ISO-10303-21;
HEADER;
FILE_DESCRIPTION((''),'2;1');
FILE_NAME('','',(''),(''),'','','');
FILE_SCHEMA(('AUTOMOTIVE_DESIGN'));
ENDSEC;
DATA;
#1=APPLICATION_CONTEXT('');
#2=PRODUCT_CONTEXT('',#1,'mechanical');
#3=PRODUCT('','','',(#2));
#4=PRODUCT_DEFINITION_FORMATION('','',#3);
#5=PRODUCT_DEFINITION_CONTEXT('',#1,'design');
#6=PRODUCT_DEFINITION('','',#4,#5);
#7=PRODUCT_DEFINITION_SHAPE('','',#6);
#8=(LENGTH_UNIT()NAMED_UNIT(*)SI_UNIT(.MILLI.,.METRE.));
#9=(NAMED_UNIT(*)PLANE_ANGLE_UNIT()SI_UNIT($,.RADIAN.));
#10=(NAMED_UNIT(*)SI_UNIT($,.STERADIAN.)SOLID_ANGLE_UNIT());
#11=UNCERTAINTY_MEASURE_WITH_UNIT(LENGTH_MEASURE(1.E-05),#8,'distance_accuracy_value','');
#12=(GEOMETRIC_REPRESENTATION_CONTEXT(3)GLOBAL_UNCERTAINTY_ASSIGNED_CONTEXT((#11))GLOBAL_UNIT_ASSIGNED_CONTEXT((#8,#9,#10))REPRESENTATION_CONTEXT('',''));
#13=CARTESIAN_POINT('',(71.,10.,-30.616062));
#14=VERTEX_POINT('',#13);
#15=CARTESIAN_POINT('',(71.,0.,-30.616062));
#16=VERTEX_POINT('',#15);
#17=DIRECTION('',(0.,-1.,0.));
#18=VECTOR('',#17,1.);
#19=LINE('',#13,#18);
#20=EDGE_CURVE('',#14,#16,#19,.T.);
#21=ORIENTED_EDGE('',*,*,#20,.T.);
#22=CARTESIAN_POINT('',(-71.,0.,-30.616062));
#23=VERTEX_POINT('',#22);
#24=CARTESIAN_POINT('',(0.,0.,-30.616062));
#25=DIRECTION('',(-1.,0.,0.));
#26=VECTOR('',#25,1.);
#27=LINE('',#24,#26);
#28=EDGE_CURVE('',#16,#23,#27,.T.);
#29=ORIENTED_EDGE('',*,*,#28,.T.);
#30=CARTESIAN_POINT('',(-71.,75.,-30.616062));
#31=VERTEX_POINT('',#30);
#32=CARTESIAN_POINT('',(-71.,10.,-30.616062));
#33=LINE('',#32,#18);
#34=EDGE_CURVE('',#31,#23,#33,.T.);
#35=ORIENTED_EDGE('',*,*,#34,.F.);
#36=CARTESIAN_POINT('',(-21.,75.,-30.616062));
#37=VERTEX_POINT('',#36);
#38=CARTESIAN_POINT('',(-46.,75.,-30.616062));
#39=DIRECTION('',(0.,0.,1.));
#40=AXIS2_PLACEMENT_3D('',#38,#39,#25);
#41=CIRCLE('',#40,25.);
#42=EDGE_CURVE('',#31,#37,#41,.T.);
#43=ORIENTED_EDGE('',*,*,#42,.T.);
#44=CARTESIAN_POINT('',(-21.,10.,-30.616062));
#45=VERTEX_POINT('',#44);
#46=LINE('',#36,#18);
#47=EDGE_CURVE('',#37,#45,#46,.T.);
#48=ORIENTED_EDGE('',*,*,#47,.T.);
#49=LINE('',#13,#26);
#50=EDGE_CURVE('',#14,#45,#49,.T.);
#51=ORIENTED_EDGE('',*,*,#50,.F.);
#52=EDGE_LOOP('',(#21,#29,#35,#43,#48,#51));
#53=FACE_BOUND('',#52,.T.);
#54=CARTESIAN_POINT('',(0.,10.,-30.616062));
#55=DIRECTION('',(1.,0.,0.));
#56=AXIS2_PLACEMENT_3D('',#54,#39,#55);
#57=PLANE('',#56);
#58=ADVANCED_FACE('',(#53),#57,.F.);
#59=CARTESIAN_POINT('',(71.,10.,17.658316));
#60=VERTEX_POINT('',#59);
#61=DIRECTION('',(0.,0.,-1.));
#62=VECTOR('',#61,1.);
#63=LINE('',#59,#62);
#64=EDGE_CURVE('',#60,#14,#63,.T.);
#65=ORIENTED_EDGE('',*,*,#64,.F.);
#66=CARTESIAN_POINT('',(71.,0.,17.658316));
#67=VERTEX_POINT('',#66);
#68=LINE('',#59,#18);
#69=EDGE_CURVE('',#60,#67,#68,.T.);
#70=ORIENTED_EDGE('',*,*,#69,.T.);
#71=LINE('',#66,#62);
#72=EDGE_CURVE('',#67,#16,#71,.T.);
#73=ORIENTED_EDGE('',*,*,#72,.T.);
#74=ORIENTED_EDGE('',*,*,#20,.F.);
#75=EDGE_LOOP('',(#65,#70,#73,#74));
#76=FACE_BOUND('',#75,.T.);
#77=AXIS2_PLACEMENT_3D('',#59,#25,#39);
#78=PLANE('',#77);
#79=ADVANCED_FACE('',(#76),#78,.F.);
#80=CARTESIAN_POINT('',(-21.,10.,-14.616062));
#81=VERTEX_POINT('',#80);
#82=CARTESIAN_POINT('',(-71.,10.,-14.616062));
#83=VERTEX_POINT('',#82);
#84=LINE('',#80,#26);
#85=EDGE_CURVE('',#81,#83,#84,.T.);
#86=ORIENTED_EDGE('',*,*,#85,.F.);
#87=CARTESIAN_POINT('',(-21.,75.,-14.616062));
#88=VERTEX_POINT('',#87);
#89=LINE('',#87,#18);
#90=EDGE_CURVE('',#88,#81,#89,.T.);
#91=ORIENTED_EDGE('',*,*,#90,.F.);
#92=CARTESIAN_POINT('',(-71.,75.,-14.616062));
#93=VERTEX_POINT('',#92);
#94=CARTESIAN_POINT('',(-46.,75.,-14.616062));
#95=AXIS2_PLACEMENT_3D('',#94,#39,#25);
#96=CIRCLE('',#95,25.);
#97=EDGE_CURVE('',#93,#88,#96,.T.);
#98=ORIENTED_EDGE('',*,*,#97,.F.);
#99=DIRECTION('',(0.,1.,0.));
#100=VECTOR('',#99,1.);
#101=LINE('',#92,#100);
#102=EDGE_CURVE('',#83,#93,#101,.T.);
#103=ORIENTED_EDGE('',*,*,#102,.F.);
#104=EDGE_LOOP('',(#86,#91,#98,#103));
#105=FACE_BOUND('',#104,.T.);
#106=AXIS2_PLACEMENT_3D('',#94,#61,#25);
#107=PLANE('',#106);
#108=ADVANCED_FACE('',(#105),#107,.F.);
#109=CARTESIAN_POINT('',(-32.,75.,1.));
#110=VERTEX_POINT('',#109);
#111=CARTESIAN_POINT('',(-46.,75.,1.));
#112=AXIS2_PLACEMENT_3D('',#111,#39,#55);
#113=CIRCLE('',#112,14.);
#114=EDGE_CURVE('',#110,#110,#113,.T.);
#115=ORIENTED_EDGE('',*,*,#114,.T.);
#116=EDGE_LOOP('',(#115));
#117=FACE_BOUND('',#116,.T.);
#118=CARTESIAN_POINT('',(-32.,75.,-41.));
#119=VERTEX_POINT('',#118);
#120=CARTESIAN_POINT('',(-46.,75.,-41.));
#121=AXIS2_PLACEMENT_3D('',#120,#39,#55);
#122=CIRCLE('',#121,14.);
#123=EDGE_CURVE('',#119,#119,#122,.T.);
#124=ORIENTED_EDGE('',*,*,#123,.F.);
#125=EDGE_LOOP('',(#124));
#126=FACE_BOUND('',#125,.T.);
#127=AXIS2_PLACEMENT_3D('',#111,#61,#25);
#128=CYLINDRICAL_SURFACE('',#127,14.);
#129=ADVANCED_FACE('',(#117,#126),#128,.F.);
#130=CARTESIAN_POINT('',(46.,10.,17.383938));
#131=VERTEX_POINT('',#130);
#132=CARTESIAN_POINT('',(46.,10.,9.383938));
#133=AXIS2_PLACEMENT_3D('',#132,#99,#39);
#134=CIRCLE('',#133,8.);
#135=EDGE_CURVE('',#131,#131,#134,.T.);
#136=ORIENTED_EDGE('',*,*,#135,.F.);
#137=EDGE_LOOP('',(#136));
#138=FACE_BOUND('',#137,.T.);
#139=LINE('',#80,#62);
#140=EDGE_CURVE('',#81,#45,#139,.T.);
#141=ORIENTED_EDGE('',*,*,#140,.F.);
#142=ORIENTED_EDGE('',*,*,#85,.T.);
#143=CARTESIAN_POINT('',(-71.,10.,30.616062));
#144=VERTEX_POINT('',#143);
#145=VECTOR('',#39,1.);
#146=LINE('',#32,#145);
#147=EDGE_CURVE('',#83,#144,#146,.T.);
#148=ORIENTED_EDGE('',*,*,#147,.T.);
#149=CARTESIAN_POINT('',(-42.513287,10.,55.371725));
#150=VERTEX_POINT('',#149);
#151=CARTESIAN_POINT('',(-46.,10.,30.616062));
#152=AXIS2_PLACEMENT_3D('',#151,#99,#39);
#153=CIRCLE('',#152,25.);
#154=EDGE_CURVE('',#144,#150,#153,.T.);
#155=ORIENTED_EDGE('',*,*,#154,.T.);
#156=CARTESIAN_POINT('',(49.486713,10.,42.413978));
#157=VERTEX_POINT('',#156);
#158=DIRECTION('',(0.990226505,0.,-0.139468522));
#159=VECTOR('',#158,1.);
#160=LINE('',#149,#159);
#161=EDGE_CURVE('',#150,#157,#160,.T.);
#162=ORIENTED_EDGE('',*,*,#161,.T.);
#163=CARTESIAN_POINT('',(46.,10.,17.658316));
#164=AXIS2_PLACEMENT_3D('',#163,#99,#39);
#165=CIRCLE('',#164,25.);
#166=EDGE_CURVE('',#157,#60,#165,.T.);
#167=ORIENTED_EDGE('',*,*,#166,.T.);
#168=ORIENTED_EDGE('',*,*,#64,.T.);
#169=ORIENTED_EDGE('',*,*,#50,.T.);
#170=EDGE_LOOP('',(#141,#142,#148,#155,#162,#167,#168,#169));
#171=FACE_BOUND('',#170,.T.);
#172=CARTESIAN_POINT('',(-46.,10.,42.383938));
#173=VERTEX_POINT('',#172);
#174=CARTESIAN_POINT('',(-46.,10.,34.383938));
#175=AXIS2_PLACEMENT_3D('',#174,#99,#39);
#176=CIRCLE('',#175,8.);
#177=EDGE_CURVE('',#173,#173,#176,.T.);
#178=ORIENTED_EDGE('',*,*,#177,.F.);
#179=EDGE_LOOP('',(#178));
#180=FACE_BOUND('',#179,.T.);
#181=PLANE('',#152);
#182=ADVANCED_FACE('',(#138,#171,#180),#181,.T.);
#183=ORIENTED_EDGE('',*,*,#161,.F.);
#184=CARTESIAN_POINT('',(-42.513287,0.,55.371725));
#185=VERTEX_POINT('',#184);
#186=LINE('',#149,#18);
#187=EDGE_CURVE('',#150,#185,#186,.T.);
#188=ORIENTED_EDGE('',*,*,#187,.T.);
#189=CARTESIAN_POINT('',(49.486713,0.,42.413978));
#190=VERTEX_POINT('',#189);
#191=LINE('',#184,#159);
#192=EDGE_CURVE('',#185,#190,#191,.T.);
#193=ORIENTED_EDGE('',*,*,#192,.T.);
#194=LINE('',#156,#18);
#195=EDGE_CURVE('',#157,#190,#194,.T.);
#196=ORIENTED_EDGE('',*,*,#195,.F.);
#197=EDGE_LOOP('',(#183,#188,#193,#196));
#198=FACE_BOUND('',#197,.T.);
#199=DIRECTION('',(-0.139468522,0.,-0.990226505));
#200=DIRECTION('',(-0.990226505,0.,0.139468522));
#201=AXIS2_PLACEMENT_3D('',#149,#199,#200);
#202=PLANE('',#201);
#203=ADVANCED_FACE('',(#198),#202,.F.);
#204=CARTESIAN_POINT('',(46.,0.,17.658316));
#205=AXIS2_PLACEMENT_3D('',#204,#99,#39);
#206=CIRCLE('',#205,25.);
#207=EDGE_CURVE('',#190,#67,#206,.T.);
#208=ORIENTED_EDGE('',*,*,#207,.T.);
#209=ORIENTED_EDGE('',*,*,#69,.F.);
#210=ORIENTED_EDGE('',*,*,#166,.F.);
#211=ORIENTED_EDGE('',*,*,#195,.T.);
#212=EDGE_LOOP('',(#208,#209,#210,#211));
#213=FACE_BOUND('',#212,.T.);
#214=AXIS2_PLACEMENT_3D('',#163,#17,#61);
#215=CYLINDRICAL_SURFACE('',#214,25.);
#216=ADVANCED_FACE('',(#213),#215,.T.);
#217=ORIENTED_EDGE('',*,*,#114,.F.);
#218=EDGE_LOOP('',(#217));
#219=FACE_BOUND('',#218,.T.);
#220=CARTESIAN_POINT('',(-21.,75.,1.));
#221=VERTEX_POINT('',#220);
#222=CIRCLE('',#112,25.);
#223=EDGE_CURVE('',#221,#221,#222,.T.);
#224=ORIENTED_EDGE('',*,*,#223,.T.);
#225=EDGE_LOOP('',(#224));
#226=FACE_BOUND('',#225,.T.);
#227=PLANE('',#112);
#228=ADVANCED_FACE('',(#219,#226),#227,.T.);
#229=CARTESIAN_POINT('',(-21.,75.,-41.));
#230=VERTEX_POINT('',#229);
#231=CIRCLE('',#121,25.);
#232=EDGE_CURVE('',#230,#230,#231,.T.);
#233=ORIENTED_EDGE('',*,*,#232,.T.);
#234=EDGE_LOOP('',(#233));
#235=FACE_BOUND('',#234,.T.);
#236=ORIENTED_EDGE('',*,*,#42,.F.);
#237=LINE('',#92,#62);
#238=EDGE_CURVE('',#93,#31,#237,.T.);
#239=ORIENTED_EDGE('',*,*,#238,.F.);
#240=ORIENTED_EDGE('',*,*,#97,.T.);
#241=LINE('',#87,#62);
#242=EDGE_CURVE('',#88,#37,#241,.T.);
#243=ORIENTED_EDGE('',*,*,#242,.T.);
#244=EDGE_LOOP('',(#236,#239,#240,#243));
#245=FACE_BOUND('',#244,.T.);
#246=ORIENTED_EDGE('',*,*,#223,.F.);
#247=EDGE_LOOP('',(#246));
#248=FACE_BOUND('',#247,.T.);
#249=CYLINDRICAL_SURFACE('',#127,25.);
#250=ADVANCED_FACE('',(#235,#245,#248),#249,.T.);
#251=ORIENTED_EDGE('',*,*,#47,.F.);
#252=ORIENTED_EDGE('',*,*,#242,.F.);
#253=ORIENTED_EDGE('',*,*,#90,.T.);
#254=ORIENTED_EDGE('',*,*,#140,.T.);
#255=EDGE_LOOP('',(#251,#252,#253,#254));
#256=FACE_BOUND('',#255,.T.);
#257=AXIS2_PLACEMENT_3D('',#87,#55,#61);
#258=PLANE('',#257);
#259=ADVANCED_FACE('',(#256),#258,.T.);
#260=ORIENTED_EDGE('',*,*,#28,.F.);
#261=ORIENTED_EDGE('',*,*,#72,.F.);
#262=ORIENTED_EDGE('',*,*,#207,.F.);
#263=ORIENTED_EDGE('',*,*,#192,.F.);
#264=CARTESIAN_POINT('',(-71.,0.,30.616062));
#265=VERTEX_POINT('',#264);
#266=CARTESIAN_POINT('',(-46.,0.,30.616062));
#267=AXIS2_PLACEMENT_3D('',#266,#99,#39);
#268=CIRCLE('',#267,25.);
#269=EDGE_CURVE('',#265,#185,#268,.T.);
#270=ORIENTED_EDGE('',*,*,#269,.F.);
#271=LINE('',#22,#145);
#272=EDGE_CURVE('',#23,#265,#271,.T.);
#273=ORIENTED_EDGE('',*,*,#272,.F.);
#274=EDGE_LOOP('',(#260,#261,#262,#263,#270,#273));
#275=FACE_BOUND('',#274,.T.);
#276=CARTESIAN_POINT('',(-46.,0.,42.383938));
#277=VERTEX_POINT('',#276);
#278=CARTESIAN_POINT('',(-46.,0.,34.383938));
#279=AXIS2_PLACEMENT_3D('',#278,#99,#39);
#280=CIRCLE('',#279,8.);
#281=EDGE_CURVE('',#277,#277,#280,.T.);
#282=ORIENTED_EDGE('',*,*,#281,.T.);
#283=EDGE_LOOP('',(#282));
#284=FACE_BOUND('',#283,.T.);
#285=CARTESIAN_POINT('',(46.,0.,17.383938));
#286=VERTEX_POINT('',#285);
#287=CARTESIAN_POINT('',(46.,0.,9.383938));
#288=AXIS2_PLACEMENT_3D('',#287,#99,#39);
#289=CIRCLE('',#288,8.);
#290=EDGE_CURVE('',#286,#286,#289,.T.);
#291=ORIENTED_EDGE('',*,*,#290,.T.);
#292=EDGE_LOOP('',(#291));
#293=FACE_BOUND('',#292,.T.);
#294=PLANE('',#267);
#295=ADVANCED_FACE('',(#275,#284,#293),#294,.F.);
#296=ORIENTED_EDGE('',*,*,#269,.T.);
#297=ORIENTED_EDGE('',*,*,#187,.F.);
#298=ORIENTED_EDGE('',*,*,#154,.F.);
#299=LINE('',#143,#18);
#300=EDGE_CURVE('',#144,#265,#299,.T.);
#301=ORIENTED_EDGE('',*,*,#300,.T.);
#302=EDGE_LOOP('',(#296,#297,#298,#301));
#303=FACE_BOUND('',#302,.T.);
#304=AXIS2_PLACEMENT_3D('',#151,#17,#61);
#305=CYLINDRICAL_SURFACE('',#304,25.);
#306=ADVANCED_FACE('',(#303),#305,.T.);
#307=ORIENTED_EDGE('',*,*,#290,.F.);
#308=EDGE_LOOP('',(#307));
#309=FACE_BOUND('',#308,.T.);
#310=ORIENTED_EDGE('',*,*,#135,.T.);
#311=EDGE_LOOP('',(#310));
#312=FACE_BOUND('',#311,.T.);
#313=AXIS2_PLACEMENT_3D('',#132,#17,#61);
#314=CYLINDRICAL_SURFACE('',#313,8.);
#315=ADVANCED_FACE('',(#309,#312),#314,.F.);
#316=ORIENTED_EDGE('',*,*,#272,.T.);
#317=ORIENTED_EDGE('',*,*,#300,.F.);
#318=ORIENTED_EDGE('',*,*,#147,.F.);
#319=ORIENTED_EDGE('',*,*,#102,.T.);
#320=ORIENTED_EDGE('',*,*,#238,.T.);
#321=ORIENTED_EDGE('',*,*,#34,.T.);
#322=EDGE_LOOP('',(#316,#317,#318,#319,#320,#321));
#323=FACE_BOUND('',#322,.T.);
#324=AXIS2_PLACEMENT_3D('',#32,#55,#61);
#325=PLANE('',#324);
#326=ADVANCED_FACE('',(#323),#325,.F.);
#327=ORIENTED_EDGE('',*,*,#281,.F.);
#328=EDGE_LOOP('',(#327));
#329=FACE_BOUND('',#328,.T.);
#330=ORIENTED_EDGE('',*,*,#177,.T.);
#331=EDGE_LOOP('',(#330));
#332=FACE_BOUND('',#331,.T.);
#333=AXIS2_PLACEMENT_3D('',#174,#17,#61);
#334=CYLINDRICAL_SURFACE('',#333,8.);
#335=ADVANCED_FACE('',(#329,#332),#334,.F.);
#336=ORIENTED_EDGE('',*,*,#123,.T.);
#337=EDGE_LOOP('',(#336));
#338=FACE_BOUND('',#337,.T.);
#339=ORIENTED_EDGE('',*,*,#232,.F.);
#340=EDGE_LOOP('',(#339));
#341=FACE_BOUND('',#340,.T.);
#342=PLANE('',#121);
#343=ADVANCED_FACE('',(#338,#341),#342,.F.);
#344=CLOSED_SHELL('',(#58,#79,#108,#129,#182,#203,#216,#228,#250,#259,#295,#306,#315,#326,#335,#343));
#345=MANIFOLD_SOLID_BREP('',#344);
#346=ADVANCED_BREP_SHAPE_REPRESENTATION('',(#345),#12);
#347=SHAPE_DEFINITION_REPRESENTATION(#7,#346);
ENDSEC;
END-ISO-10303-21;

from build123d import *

# Parameters (mm, degrees)
SKETCH1_R                = 8
BOSS_EXTRUDE1_DEPTH      = 10
BOSS_EXTRUDE2_DEPTH      = 1
BOSS_EXTRUDE2_DEPTH_BACK = 41
SKETCH2_R                = 25
SKETCH2_R_2              = 14
BOSS_EXTRUDE3_DEPTH      = 16


with BuildPart() as part:
    # Sketch1 → Boss-Extrude1 (new body)
    with BuildSketch(Plane(origin=(0, 0, 0), x_dir=(1, 0, 0), z_dir=(0, 1, 0))):
        with BuildLine():
            Line((0, 30.616062134), (-71, 30.616062134))
            Line((-71, 30.616062134), (-71, -30.616062134))
            ThreePointArc((-71, -30.616062134), (-62.398661132, -49.486247959), (-42.513286954, -55.371724761))
            Line((-42.513286954, -55.371724761), (49.486713046, -42.413978282))
            ThreePointArc((49.486713046, -42.413978282), (64.870185825, -34.056976787), (71, -17.658315655))
            Line((71, -17.658315655), (71, 30.616062134))
            Line((71, 30.616062134), (0, 30.616062134))
        make_face()
        with Locations(Location((46, -9.383937866, 0), (0, 0, 270))):
            Circle(SKETCH1_R, mode=Mode.SUBTRACT)
        with Locations(Location((-46, -34.383937866, 0), (0, 0, 270))):
            Circle(SKETCH1_R, mode=Mode.SUBTRACT)
    extrude(amount=BOSS_EXTRUDE1_DEPTH)



with BuildPart() as body_2:
    # Sketch2 → Boss-Extrude2 (new, two sides: drawn at the far end of the back side and taken through both)
    with BuildSketch(Plane.XY.offset(-BOSS_EXTRUDE2_DEPTH_BACK)):
        with Locations((-46, 75)):
            Circle(SKETCH2_R)
        with Locations((-46, 75)):
            Circle(SKETCH2_R_2, mode=Mode.SUBTRACT)
    extrude(amount=BOSS_EXTRUDE2_DEPTH + BOSS_EXTRUDE2_DEPTH_BACK)


with BuildPart() as part_1:
    add(part.part)

    add(body_2.part)  # Boss-Extrude3 merges body 2
    # Sketch3 → Boss-Extrude3 (add)
    with BuildSketch(Plane(origin=(0, 0, -30.616062134), x_dir=(-1, 0, 0), z_dir=(0, 0, -1))):
        with BuildLine():
            Line((21, 10), (71, 10))
            Line((71, 10), (71, 75))
            ThreePointArc((71, 75), (46, 50), (21, 75))
            Line((21, 75), (21, 10))
        make_face()
    extrude(amount=-BOSS_EXTRUDE3_DEPTH)


solid = part_1.part
